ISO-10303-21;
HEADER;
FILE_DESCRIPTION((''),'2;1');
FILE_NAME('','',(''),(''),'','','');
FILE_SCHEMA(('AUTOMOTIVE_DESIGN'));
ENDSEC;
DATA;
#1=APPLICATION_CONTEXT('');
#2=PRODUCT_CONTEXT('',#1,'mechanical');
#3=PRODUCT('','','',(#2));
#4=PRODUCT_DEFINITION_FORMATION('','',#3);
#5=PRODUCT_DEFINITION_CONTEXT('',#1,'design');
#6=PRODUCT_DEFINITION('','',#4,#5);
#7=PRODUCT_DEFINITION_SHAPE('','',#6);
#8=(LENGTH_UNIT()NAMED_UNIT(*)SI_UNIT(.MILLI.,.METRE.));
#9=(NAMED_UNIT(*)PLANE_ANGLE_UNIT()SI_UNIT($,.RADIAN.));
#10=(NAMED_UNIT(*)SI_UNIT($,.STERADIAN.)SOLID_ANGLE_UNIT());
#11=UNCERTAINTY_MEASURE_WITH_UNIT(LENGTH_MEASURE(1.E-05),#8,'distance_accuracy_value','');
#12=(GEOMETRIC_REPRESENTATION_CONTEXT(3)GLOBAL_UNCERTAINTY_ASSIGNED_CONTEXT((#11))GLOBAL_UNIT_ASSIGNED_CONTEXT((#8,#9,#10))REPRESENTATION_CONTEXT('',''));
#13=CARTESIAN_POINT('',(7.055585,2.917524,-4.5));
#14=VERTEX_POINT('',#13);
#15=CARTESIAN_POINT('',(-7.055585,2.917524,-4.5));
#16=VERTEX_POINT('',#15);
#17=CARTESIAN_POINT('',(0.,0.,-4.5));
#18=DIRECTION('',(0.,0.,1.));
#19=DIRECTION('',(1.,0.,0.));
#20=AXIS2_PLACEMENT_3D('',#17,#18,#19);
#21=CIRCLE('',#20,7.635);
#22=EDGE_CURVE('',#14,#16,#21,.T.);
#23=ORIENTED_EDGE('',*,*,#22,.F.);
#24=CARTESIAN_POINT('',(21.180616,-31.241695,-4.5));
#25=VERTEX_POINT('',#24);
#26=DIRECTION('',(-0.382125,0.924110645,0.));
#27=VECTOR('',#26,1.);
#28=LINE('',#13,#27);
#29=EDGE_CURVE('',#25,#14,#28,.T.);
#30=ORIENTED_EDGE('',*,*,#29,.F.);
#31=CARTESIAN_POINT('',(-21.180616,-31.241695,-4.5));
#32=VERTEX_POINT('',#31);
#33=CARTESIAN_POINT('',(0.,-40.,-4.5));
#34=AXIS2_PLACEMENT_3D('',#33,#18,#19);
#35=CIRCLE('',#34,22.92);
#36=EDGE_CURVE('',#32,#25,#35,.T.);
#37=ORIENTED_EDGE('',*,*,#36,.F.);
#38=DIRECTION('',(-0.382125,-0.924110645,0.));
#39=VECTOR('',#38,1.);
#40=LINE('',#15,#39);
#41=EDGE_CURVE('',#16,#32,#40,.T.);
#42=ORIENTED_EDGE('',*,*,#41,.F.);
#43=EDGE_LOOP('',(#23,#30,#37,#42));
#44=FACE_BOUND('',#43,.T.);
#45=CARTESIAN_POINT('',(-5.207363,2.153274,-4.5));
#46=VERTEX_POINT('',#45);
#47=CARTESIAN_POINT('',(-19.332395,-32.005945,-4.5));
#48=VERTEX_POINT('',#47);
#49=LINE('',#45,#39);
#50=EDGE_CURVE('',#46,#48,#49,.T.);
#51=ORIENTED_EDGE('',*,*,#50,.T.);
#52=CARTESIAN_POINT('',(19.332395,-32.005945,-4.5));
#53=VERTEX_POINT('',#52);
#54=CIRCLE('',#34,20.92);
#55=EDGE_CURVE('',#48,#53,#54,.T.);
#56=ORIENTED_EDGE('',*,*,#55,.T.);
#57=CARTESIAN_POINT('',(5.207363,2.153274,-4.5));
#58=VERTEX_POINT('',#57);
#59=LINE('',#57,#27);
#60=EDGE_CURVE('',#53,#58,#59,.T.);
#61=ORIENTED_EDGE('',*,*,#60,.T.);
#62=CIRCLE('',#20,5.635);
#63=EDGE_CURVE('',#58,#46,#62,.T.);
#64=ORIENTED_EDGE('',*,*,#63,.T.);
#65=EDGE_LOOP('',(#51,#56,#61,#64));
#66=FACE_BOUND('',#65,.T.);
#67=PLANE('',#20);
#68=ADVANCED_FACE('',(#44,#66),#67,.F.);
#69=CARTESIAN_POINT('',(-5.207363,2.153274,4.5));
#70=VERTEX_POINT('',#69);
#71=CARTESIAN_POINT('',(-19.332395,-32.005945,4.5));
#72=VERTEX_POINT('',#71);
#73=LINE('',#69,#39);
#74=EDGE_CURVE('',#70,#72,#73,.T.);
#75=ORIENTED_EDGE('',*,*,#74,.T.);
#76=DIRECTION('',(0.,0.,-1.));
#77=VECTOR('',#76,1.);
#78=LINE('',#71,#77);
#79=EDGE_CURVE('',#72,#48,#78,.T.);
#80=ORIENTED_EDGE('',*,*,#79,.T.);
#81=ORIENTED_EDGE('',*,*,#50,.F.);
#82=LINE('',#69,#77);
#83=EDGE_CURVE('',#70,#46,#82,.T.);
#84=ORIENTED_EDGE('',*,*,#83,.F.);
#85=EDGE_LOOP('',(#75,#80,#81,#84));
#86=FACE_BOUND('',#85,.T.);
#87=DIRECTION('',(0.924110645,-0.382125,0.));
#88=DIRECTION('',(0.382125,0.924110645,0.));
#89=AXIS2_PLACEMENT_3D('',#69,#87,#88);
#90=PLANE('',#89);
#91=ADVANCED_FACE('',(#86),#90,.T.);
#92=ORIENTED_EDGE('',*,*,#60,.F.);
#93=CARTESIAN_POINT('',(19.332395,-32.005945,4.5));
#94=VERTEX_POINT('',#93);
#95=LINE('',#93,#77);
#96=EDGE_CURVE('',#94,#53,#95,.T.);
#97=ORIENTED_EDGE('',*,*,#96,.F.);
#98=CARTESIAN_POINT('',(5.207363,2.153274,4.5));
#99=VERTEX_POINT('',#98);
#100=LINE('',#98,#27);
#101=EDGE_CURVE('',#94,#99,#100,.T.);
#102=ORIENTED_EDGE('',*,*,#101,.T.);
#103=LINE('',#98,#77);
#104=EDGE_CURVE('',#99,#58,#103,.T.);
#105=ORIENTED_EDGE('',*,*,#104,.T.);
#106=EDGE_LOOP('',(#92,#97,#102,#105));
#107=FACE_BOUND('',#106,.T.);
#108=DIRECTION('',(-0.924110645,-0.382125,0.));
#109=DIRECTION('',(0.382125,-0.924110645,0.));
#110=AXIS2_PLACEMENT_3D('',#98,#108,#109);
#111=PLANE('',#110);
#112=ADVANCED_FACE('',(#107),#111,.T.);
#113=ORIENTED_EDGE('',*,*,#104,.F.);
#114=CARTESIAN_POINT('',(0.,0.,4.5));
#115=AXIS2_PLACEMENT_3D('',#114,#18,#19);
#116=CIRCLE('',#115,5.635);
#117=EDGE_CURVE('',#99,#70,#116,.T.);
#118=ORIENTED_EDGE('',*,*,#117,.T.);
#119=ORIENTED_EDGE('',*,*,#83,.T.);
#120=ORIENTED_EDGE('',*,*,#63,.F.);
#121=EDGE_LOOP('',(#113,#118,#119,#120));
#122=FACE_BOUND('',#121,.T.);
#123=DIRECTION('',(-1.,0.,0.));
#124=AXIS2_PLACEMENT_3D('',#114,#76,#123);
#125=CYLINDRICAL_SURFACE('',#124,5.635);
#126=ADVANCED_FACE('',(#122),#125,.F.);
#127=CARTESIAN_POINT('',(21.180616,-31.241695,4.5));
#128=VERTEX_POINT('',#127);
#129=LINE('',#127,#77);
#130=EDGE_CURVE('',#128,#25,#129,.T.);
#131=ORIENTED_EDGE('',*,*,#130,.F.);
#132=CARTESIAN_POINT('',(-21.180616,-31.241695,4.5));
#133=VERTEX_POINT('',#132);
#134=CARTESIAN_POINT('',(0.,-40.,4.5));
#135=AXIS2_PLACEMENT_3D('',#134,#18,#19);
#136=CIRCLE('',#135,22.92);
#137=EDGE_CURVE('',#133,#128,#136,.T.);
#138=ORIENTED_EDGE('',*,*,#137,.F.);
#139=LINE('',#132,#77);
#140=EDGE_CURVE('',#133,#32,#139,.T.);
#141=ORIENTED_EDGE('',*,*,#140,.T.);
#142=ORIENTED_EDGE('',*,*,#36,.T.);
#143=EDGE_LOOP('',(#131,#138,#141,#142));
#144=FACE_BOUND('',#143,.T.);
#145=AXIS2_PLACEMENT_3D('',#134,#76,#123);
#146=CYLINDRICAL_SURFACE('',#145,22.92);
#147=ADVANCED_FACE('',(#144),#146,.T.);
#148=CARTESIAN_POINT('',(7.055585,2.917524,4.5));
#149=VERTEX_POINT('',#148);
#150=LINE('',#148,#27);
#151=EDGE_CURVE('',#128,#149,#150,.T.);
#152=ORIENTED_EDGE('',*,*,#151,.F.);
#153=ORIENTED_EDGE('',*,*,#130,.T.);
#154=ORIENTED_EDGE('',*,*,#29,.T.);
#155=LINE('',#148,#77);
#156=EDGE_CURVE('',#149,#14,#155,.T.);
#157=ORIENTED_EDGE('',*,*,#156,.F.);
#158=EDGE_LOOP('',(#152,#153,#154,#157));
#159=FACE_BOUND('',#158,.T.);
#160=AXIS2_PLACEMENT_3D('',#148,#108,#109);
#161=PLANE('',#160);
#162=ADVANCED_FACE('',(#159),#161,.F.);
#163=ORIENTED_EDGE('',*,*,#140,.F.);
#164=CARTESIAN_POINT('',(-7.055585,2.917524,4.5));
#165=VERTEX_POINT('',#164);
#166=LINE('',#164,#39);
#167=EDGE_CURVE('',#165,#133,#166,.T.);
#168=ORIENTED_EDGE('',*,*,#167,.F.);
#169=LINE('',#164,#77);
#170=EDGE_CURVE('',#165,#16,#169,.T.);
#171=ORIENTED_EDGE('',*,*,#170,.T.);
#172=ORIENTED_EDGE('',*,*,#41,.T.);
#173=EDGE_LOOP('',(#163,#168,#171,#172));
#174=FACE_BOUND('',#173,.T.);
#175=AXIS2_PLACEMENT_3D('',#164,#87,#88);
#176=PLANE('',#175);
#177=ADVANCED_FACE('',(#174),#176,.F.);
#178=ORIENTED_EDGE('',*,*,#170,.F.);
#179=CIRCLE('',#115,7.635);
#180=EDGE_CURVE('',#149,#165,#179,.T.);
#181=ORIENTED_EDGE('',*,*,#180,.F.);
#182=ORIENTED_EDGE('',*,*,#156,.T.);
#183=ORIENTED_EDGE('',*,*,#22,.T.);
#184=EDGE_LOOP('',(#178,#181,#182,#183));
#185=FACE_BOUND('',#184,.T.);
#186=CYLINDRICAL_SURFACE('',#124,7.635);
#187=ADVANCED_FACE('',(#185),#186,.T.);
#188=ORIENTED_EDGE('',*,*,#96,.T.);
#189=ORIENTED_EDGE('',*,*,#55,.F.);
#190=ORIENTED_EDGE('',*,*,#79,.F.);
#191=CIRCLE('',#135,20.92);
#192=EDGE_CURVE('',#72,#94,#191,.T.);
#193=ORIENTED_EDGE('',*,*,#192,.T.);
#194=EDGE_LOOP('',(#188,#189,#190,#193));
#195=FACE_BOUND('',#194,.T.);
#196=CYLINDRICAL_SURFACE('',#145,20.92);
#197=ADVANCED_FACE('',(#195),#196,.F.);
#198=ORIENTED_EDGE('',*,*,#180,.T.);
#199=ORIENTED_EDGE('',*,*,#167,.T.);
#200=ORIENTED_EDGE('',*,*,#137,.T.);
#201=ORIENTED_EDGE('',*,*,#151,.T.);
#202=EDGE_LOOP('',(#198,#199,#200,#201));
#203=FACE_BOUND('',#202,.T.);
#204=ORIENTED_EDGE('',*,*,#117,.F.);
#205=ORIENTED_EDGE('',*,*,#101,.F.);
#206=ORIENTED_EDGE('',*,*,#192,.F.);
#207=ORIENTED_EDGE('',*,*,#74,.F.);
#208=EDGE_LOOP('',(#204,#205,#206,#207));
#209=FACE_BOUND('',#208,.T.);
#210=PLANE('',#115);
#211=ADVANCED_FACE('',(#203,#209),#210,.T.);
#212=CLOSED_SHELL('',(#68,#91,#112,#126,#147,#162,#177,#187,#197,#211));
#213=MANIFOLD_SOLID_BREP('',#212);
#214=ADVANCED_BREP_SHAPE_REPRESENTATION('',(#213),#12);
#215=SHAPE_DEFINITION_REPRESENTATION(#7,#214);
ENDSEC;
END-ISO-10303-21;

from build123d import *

# Parameters (mm, degrees)
EXTRUDE_THIN1_DEPTH = 4.5


with BuildPart() as part:
    # Sketch1 → Extrude-Thin1 (new body, symmetric)
    with BuildSketch(Plane.XY):
        with BuildLine():
            Line((21.180615986, -31.241695), (7.055584775, 2.917524375))
            ThreePointArc((7.055584775, 2.917524375), (0, 7.635), (-7.055584775, 2.917524375))
            Line((-7.055584775, 2.917524375), (-21.180615986, -31.241695))
            ThreePointArc((-21.180615986, -31.241695), (0, -62.92), (21.180615986, -31.241695))
        make_face()
        with BuildLine():
            Line((19.332394695, -32.005945), (5.207363485, 2.153274375))
            ThreePointArc((5.207363485, 2.153274375), (0, 5.635), (-5.207363485, 2.153274375))
            Line((-5.207363485, 2.153274375), (-19.332394695, -32.005945))
            ThreePointArc((-19.332394695, -32.005945), (0, -60.92), (19.332394695, -32.005945))
        make_face(mode=Mode.SUBTRACT)
    extrude(amount=EXTRUDE_THIN1_DEPTH, both=True)


solid = part.part
